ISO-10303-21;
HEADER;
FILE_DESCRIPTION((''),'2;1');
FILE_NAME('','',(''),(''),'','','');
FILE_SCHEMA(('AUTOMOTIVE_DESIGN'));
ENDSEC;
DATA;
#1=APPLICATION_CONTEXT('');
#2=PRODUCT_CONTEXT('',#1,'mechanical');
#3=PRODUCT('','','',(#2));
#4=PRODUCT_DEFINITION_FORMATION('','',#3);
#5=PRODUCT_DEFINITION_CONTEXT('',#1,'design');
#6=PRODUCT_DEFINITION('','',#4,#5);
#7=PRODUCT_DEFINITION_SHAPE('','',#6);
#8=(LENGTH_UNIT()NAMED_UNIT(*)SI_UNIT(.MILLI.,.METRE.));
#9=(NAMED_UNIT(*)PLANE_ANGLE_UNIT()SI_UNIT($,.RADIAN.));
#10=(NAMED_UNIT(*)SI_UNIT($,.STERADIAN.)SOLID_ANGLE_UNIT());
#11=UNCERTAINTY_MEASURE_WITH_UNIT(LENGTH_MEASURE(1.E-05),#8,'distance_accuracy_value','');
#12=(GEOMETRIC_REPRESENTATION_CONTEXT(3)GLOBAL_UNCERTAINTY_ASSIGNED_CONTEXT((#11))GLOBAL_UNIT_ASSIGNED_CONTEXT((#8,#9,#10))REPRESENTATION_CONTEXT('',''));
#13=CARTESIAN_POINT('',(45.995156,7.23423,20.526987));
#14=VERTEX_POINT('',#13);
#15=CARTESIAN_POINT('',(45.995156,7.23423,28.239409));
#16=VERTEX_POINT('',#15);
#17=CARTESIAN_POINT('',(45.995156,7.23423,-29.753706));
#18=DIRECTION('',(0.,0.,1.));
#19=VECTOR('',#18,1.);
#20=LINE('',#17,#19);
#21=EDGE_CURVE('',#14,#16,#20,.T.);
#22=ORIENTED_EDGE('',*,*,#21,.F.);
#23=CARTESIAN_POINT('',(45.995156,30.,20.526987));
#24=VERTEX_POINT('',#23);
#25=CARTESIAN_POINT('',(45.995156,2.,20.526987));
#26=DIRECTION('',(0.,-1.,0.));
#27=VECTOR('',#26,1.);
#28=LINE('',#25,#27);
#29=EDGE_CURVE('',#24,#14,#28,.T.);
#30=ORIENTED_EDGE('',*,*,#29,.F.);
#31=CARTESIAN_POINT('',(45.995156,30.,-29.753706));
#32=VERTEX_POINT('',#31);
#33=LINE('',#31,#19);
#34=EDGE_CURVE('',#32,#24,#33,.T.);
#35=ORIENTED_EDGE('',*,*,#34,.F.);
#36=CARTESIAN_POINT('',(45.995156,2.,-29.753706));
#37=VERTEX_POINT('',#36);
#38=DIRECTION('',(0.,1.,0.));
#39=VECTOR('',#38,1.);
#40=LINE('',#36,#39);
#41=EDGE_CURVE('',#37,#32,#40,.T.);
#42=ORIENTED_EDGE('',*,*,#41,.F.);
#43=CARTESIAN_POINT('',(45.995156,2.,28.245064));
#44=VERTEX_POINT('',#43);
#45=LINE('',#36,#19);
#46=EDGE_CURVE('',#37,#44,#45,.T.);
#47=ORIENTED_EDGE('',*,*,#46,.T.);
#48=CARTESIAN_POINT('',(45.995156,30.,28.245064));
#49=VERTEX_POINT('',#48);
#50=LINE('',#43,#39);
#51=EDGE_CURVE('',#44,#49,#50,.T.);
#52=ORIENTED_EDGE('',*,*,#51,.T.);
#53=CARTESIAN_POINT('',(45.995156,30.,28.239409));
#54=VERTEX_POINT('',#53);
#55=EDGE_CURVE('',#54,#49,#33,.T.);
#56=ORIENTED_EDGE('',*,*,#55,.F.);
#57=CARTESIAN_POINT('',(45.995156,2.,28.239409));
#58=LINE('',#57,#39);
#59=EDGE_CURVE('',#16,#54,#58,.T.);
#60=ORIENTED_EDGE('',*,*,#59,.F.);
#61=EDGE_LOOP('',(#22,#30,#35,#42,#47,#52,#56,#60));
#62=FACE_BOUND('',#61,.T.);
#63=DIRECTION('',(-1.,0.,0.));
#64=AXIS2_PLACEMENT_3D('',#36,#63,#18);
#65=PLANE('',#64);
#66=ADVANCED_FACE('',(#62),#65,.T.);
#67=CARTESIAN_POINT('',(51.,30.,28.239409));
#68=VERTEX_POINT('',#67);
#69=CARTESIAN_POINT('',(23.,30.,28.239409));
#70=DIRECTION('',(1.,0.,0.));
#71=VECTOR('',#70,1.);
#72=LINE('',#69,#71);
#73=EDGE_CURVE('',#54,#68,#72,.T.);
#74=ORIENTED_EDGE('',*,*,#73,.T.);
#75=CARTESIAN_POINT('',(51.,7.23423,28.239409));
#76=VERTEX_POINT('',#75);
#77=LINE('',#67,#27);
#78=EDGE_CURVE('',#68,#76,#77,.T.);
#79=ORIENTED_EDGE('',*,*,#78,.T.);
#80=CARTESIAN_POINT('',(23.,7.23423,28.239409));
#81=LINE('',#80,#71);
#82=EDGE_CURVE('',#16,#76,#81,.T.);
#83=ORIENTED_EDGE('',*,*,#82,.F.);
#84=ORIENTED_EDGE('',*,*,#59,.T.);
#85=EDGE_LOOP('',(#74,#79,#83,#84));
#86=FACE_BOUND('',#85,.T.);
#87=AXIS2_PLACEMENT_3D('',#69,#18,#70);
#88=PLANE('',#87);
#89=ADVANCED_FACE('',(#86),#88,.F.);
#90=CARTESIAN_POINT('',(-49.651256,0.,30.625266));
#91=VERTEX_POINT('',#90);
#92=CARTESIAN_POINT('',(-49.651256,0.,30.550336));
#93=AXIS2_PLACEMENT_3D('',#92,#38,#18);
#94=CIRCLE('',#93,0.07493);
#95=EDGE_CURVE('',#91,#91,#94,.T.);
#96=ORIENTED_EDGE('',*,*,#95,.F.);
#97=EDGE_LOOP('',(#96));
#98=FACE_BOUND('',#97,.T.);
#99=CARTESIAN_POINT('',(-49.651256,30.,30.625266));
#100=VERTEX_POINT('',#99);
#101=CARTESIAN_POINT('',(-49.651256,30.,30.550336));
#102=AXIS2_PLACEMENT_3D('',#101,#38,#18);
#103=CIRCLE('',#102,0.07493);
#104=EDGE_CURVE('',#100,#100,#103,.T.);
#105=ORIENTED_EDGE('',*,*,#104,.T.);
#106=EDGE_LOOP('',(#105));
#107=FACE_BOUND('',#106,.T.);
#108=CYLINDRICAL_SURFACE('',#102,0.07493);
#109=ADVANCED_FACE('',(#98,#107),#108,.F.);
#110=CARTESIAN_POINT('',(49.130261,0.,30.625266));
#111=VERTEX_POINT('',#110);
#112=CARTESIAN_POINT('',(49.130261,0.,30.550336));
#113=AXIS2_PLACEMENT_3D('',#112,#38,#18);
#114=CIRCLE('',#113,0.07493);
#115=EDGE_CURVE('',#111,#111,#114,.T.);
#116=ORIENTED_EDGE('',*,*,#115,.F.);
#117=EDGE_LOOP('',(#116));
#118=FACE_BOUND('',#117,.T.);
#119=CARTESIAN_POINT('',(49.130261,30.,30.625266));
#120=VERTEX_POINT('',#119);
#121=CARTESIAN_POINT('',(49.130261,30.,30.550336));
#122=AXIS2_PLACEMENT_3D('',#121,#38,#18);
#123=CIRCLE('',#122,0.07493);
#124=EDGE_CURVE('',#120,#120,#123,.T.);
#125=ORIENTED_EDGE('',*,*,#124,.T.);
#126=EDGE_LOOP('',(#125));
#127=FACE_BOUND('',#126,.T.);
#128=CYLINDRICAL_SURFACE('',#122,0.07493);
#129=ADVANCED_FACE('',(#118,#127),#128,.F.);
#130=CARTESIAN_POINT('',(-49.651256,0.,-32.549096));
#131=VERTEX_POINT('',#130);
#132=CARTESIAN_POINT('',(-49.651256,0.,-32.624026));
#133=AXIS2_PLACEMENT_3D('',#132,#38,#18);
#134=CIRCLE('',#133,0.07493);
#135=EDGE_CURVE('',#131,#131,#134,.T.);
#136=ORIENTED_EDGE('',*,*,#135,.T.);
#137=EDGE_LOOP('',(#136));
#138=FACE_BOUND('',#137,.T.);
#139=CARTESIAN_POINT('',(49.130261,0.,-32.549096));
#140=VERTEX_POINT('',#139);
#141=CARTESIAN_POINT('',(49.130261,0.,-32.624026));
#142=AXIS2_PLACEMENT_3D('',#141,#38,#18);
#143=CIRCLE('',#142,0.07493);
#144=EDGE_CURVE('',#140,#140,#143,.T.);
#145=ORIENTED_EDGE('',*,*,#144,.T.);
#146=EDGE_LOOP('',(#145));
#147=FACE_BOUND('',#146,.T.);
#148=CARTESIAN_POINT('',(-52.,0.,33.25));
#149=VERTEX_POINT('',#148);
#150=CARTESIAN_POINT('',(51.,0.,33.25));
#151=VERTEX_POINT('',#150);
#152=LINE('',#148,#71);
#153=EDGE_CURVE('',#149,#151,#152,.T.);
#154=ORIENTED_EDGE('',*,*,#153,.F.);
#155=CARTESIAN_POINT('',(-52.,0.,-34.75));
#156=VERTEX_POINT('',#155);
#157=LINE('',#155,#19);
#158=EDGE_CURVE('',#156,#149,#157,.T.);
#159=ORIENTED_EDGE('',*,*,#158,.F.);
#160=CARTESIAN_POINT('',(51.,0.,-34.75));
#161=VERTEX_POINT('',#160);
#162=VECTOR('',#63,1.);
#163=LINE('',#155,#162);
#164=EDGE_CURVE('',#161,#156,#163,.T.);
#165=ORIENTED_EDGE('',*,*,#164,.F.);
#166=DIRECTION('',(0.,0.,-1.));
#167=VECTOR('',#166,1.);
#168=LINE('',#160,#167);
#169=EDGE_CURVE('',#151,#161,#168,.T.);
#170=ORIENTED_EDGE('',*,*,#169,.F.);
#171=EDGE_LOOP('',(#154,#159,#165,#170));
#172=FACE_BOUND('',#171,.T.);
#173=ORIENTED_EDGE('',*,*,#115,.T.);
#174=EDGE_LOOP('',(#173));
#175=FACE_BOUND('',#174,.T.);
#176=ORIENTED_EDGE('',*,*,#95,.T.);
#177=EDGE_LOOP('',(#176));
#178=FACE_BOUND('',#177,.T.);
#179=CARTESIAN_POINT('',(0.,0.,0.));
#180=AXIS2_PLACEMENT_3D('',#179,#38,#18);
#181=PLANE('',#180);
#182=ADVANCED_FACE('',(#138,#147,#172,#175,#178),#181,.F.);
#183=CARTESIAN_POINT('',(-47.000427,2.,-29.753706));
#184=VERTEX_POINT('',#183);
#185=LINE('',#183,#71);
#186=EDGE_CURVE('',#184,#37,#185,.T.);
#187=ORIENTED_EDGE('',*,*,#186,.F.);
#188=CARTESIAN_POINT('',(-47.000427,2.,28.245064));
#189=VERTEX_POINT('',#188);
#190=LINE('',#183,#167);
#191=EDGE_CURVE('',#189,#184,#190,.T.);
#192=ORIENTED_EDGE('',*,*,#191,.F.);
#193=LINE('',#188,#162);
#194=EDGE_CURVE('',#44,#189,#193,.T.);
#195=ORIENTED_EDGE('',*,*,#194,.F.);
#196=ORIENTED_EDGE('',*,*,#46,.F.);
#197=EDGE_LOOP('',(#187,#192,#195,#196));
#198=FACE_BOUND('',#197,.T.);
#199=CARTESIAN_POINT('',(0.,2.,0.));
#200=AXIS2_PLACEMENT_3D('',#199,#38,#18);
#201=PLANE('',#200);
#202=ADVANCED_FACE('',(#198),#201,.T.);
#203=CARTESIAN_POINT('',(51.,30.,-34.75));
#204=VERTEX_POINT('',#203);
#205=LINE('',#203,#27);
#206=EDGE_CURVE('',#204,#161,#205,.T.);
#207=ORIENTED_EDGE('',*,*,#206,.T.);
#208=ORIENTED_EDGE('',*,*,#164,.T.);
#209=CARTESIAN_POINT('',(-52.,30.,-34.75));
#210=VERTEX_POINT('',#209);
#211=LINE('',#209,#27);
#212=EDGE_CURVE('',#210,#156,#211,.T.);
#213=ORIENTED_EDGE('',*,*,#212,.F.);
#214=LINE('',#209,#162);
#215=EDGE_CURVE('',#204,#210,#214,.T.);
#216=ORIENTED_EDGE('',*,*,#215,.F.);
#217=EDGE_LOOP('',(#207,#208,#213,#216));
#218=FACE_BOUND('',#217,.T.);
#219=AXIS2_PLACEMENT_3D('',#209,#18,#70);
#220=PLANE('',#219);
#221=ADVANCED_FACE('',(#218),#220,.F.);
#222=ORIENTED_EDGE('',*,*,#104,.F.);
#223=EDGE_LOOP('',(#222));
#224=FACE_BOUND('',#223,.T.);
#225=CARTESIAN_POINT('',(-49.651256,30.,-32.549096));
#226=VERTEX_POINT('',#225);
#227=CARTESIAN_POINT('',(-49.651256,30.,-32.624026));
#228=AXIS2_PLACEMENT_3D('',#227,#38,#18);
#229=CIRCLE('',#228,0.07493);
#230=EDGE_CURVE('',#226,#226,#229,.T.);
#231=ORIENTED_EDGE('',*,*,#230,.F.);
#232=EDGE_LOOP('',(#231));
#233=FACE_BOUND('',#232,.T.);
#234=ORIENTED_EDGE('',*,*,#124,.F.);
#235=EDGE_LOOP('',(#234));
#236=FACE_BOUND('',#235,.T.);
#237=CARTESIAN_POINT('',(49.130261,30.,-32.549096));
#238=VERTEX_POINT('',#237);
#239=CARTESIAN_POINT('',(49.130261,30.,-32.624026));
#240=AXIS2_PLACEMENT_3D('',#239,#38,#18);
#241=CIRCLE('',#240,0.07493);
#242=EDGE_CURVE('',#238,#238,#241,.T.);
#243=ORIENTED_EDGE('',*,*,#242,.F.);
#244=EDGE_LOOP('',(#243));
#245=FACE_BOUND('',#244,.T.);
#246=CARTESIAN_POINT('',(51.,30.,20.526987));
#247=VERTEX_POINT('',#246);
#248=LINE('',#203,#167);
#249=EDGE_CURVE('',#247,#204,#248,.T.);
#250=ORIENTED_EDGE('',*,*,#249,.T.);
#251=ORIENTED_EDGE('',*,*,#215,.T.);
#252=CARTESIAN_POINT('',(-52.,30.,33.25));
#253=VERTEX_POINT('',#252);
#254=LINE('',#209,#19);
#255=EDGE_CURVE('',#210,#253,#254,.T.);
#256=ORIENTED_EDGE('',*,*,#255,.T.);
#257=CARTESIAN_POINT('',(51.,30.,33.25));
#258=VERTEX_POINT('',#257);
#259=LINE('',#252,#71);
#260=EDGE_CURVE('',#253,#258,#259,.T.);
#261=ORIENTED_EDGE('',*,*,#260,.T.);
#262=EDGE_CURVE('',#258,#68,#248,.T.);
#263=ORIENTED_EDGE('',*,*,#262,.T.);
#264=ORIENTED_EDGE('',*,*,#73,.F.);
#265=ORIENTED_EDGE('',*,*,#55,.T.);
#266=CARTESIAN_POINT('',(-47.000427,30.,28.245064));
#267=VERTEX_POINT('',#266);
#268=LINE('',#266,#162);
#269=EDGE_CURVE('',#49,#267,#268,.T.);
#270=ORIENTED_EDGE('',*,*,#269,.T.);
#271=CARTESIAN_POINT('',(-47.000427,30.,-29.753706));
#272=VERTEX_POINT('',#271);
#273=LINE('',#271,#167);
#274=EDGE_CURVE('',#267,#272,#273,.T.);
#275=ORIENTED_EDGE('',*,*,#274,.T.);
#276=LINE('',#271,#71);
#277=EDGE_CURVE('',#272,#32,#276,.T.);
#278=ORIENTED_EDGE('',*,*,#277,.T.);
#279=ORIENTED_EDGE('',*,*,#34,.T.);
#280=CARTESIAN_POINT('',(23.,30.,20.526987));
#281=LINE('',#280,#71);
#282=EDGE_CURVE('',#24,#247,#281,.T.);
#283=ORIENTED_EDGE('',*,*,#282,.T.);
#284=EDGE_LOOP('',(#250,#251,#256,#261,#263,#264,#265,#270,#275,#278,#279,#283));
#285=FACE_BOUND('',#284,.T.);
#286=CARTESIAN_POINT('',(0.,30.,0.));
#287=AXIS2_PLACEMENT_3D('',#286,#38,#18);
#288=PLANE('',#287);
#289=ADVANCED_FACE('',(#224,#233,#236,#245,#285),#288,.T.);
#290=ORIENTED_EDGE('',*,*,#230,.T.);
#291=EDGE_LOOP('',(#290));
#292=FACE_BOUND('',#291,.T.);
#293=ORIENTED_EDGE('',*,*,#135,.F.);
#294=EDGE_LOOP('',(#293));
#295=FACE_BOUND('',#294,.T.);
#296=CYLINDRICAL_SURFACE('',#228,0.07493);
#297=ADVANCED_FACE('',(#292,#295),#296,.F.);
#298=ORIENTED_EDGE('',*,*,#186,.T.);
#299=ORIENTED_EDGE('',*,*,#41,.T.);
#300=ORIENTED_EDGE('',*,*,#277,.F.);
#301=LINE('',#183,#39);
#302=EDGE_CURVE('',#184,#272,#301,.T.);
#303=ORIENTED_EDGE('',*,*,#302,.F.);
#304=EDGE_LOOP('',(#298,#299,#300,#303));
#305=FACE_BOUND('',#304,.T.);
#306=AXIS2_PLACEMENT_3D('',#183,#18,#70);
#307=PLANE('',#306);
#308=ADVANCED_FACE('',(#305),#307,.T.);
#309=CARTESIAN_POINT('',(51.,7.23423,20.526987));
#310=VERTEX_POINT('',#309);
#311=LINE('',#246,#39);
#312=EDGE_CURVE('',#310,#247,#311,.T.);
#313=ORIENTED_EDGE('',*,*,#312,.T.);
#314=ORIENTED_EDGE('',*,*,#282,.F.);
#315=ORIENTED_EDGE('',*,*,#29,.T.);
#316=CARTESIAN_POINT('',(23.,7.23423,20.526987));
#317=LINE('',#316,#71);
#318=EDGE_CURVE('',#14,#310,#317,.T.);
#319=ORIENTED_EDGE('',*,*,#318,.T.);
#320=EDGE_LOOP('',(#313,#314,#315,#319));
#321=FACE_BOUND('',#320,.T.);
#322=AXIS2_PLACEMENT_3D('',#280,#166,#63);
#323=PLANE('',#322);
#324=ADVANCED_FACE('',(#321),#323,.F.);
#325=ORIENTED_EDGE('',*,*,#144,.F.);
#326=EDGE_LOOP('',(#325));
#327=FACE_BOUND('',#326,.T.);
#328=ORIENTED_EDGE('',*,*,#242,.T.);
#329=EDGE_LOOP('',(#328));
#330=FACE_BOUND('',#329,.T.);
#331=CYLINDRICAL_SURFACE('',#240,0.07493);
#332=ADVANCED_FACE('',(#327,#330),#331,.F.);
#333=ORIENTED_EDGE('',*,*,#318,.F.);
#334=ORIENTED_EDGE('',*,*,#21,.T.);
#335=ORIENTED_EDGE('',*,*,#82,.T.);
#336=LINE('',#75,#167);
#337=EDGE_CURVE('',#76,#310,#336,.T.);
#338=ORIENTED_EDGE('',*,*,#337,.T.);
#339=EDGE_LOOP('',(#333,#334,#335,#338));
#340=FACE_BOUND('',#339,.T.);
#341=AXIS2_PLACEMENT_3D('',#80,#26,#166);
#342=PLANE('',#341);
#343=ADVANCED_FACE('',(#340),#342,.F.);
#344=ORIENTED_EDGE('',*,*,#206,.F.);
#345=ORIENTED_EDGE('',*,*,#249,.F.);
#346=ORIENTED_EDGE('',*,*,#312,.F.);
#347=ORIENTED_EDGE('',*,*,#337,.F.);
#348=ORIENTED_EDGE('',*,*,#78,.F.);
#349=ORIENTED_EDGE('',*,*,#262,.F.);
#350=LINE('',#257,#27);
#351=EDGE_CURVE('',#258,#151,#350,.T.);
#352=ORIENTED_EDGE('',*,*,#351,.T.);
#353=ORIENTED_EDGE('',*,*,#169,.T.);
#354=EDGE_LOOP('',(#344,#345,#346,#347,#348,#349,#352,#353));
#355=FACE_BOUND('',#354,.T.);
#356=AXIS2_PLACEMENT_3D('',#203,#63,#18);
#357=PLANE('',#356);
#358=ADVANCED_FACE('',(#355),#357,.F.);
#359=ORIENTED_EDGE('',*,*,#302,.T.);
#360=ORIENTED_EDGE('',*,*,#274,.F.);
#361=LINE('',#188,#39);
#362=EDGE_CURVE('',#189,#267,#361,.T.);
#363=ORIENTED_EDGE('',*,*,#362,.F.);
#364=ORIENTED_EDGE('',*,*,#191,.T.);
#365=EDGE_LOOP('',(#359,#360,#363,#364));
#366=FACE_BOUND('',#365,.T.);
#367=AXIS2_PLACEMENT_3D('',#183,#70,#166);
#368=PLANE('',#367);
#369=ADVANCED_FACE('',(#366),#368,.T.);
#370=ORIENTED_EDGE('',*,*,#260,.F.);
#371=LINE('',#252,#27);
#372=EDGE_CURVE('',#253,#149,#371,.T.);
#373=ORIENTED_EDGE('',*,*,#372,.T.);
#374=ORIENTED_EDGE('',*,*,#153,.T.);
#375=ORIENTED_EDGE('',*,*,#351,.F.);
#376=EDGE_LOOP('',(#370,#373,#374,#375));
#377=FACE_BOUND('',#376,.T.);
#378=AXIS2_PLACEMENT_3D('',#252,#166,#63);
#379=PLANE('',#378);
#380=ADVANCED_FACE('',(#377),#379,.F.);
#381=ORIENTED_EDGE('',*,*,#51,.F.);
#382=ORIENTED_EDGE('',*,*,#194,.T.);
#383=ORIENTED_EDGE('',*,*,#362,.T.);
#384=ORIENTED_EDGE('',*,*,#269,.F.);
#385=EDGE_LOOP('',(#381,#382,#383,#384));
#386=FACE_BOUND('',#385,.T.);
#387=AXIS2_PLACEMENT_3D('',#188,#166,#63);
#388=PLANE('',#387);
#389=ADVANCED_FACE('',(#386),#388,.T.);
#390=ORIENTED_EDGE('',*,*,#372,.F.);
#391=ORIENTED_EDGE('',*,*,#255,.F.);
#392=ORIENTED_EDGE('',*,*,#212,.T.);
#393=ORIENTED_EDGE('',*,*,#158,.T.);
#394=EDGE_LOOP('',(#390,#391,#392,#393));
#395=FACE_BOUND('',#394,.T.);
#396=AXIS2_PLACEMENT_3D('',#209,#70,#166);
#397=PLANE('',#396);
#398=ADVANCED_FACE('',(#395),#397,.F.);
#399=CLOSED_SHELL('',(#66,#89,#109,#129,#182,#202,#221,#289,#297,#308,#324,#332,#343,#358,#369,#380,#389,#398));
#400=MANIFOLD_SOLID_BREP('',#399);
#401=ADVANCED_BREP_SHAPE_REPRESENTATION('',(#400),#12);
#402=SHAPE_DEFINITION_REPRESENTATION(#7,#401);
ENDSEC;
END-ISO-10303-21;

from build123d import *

# Parameters (mm, degrees)
SKETCH1_W                    = 103
SKETCH1_H                    = 68
BOSS_EXTRUDE1_DEPTH          = 30
SKETCH2_W                    = 92.99558251
SKETCH2_H                    = 57.998770124
CUT_EXTRUDE1_DEPTH           = 28
SKETCH3_W                    = 7.71242133
SKETCH3_H                    = 22.765769716
CUT_EXTRUDE2_DEPTH           = 28
F_97_0_0059_DIAMETER_HOLE1_D = 0.14986


with BuildPart() as part:
    # Sketch1 → Boss-Extrude1 (new body)
    with BuildSketch(Plane(origin=(0, 0, 0), x_dir=(1, 0, 0), z_dir=(0, 1, 0))):
        with Locations((-0.5, 0.75)):
            Rectangle(SKETCH1_W, SKETCH1_H)
    extrude(amount=BOSS_EXTRUDE1_DEPTH)

    # Sketch2 → Cut-Extrude1 (cut)
    with BuildSketch(Plane(origin=(51, 30, -34.75), x_dir=(1, 0, 0), z_dir=(0, -1, 0))):
        with Locations((-51.502635722, 33.995679306)):
            Rectangle(SKETCH2_W, SKETCH2_H)
    extrude(amount=CUT_EXTRUDE1_DEPTH, mode=Mode.SUBTRACT)

    # Sketch3 → Cut-Extrude2 (cut)
    with BuildSketch(Plane(origin=(51, 0, 0), x_dir=(0, 0, -1), z_dir=(1, 0, 0))):
        with Locations((-24.383198114, 18.617115142)):
            Rectangle(SKETCH3_W, SKETCH3_H)
    extrude(amount=-CUT_EXTRUDE2_DEPTH, mode=Mode.SUBTRACT)

    # #97 (0.0059) Diameter Hole1 (through all)
    with Locations(Plane(origin=(0, 30, 0), x_dir=(1, 0, 0), z_dir=(0, 1, 0))):
        with Locations((49.13026129, -30.550335592), (49.13026129, 32.624025804), (-49.65125644, 32.624025804), (-49.65125644, -30.550335592)):
            Hole(F_97_0_0059_DIAMETER_HOLE1_D / 2)


solid = part.part
